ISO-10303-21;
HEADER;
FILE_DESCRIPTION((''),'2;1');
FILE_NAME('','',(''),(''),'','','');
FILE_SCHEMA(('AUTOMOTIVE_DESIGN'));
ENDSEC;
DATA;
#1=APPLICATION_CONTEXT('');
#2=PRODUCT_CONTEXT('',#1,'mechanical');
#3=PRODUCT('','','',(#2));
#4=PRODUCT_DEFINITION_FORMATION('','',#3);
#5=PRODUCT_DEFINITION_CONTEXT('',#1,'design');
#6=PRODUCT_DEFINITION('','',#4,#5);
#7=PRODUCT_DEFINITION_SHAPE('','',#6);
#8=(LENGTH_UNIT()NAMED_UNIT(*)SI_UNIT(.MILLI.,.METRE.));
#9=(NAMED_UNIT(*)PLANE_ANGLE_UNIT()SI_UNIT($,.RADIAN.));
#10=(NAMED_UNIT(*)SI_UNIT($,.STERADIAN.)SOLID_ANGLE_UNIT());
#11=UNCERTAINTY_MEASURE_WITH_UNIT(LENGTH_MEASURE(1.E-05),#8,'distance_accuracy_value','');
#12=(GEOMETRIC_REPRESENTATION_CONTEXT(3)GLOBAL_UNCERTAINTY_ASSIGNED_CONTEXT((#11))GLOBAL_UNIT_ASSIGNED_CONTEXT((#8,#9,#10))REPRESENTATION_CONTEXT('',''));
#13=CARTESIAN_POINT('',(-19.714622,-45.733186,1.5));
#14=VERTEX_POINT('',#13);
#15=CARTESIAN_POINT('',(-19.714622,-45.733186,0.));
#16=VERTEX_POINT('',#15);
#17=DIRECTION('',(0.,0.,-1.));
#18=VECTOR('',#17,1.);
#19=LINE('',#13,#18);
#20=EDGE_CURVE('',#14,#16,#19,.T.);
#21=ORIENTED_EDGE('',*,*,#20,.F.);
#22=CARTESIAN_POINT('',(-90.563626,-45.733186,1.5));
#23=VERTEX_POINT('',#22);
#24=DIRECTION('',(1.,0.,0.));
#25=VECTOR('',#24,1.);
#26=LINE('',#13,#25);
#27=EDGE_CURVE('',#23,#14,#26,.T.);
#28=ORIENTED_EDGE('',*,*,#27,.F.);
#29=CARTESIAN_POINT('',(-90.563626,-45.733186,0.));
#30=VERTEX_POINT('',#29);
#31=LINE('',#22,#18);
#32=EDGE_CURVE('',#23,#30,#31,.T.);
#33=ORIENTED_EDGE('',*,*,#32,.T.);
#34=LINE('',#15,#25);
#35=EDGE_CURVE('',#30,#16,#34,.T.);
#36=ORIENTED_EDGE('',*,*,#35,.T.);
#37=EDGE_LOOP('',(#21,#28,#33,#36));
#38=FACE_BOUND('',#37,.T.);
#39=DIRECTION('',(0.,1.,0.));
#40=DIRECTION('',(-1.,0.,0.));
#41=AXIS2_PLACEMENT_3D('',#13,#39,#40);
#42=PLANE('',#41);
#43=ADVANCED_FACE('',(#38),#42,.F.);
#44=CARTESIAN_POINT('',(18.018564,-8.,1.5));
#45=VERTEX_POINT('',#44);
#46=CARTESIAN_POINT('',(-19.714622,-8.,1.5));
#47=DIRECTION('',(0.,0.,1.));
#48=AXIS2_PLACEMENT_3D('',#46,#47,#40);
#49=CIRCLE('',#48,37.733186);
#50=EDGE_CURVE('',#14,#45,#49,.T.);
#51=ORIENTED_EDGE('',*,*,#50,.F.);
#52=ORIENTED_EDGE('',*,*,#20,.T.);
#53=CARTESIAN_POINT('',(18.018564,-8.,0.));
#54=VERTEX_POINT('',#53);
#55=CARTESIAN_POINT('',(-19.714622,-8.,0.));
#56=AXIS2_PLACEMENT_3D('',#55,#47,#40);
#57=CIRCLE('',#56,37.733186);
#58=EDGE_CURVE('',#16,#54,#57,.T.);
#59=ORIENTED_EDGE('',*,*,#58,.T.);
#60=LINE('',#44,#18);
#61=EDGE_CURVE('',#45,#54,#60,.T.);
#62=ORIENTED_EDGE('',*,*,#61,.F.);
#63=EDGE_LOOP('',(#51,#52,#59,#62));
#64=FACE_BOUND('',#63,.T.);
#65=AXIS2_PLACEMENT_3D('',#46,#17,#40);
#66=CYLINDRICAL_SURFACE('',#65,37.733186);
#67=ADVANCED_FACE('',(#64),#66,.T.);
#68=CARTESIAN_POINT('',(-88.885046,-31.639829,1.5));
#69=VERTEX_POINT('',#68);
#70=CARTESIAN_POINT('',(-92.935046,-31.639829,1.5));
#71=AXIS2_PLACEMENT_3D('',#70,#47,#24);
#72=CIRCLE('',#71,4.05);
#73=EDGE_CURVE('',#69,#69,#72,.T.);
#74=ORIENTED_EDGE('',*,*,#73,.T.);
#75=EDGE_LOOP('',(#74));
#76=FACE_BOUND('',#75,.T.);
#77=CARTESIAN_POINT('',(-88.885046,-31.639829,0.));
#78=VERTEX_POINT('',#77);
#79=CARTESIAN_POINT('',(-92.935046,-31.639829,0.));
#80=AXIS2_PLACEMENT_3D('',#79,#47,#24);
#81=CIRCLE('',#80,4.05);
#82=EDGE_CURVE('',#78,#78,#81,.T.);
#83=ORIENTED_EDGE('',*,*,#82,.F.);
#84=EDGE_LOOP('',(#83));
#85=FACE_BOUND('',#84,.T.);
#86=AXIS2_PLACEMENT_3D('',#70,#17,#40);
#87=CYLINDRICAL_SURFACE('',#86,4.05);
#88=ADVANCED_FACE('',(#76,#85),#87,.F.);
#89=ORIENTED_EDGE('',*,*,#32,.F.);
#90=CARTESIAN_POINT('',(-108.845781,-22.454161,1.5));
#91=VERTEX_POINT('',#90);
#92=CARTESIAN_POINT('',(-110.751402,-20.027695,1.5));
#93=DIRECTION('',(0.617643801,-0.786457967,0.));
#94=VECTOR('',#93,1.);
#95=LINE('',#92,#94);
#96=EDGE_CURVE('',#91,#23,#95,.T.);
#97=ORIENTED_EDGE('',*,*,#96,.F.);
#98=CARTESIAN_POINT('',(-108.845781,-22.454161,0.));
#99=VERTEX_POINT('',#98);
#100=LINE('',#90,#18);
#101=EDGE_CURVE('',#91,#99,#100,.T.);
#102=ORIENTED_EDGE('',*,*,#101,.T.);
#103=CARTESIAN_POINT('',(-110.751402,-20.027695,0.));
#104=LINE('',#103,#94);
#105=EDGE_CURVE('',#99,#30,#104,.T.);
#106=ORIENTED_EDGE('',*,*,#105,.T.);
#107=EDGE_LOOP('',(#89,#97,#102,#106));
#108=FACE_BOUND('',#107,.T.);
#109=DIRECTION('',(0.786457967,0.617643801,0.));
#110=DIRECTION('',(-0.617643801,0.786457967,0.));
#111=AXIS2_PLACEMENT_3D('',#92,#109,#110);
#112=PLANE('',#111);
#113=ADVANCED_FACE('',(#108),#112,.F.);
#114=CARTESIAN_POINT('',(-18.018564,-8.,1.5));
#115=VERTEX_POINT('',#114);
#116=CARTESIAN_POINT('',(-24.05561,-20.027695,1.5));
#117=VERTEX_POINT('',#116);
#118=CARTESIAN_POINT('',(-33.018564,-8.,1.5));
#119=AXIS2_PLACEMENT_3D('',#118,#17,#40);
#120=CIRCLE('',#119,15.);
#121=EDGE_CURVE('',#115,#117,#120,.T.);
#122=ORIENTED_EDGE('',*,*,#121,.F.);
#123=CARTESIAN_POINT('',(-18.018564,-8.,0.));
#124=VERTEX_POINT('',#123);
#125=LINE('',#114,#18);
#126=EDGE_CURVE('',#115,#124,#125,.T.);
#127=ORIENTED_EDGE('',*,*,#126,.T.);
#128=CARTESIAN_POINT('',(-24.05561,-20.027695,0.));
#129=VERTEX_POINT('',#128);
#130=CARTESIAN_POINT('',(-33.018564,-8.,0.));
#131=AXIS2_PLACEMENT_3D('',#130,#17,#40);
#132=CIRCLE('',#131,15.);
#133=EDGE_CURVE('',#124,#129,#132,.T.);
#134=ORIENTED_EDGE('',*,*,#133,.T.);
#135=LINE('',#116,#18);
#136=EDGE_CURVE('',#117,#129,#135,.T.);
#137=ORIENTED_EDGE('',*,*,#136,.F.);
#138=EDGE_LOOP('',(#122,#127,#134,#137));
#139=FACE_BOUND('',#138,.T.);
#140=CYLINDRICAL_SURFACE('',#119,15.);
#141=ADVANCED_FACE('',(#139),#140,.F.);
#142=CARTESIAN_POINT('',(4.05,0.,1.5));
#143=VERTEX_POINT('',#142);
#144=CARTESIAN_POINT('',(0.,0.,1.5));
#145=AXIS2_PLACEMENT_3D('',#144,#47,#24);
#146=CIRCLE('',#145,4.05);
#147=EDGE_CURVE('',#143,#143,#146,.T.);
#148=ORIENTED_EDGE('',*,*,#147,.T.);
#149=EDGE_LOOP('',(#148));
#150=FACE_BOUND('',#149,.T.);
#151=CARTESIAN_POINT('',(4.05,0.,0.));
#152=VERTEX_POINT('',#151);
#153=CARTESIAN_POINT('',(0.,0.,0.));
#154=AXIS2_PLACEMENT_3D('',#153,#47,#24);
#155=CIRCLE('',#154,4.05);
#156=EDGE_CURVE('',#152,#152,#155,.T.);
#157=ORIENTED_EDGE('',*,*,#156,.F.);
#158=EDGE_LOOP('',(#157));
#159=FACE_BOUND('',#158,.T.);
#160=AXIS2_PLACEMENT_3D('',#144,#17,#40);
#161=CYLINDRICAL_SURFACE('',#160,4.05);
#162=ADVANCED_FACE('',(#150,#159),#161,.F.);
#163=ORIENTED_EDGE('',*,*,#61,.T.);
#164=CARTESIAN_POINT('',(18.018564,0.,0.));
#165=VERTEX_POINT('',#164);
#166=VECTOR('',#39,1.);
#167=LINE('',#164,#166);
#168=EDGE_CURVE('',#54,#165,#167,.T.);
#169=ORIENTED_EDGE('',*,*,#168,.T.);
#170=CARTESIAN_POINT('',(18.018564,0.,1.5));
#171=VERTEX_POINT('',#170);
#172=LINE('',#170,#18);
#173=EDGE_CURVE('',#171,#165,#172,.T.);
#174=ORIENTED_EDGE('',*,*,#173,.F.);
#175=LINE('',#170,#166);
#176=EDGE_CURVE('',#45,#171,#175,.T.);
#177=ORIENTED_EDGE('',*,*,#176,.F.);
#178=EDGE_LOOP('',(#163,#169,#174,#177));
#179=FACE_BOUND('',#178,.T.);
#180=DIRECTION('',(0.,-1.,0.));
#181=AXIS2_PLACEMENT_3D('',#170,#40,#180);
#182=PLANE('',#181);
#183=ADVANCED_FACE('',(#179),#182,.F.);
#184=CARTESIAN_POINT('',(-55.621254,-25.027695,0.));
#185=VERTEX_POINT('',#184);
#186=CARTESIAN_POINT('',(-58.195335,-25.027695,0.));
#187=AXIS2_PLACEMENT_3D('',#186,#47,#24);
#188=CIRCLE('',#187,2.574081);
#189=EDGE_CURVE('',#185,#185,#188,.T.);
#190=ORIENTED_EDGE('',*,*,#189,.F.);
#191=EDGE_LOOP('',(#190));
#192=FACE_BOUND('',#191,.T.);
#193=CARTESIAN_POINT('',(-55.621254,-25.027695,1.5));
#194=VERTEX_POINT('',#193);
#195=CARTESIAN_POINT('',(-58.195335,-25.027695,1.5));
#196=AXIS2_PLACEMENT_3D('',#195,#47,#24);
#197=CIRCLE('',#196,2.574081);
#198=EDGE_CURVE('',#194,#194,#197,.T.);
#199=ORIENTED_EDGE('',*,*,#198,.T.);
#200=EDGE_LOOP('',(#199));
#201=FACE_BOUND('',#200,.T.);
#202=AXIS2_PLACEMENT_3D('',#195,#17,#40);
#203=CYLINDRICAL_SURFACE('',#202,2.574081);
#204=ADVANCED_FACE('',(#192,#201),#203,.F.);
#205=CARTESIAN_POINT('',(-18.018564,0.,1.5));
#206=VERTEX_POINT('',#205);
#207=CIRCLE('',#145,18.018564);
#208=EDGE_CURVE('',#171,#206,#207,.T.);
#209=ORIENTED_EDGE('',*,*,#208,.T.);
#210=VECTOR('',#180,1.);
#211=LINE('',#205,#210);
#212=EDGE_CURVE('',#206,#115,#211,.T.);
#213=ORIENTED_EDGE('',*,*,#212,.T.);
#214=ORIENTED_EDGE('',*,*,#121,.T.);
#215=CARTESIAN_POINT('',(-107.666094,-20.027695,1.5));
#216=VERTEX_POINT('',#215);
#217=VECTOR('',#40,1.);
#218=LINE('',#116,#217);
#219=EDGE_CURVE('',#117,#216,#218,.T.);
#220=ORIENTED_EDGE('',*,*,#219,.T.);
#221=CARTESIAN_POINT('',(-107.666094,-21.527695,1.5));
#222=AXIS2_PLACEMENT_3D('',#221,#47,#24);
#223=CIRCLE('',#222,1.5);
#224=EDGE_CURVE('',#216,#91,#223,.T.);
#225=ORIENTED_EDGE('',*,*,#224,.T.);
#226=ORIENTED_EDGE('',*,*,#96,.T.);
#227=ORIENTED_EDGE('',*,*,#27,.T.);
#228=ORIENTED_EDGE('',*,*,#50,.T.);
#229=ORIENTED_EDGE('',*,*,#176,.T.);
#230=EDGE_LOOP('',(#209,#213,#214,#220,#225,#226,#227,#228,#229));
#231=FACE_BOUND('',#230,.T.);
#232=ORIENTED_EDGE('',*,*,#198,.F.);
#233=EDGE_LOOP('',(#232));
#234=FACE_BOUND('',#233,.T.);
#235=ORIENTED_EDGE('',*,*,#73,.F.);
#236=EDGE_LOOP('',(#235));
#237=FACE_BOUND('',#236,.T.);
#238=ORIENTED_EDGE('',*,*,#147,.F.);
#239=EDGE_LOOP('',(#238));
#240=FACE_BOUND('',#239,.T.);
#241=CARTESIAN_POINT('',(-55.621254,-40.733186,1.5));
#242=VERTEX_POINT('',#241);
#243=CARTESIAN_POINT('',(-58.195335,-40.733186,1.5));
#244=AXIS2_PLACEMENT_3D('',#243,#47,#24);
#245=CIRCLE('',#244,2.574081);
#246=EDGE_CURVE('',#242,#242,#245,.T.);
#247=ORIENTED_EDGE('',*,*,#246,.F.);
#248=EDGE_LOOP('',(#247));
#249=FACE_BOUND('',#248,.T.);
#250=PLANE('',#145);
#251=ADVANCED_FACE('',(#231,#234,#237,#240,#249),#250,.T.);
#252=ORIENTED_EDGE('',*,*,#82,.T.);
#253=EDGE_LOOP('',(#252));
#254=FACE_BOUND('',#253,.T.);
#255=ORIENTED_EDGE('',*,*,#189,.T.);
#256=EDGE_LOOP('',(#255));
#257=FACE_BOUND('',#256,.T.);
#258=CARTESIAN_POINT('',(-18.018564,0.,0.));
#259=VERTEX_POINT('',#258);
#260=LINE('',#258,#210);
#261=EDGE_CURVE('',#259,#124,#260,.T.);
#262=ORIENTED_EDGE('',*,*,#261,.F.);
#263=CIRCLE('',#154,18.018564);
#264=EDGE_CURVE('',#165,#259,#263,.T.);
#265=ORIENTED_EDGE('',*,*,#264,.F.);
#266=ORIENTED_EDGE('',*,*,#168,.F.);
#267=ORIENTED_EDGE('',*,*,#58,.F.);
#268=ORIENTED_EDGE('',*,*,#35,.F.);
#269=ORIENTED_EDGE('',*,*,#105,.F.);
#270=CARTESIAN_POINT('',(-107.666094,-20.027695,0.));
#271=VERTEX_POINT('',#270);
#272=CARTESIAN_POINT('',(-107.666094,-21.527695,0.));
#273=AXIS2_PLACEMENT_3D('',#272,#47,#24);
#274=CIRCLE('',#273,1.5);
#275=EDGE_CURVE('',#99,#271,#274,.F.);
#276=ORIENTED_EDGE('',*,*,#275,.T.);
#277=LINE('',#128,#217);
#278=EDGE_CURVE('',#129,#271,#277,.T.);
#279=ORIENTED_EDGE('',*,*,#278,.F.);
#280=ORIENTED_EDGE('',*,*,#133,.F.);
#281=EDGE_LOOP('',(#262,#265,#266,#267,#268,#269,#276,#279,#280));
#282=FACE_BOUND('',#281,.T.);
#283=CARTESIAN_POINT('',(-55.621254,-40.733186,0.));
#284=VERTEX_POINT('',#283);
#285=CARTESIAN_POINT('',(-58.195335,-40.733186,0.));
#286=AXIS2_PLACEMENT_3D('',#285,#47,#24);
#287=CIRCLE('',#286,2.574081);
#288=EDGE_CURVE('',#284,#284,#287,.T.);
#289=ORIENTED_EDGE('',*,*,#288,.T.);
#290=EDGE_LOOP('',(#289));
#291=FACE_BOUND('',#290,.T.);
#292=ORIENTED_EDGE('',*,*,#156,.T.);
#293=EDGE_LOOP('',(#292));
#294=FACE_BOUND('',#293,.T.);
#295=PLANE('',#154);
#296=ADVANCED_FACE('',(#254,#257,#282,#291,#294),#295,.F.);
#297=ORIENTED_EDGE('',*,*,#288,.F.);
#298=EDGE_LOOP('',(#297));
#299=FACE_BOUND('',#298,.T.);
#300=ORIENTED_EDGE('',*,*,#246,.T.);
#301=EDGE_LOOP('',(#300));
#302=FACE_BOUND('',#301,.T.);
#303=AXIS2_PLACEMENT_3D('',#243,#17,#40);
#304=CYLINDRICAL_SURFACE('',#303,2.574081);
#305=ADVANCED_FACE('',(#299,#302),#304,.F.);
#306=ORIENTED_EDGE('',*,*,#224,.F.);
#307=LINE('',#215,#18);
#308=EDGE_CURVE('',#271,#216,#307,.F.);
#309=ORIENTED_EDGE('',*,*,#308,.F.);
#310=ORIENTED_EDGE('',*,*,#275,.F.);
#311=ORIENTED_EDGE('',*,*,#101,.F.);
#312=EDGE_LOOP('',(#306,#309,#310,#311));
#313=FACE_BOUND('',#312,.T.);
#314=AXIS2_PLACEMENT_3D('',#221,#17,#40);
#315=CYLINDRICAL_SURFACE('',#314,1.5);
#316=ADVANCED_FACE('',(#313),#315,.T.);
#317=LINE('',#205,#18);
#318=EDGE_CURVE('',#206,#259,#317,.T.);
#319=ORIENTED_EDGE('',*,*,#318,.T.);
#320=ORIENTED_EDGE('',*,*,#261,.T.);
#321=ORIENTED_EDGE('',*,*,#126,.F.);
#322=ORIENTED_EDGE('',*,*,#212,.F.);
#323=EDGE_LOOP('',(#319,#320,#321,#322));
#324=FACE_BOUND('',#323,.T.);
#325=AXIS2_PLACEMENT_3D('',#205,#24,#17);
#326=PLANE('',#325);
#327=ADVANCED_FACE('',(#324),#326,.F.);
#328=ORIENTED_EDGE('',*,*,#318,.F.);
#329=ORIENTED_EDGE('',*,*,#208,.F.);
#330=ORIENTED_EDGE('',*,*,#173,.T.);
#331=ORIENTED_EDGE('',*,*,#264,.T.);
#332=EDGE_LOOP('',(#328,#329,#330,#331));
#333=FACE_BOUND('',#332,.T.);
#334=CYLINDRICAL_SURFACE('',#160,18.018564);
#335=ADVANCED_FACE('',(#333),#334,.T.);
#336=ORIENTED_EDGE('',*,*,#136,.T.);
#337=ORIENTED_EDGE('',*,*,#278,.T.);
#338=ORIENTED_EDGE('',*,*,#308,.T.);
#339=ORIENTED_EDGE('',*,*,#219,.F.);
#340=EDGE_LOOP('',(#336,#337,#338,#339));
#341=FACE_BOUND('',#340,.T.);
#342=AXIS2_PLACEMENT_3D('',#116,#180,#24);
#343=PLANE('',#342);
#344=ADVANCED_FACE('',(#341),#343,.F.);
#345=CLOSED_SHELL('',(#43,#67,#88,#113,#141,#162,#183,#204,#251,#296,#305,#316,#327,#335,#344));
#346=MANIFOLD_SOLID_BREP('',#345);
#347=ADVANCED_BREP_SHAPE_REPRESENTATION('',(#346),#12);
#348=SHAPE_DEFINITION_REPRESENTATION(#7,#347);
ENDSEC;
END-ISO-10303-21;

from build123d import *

# Parameters (mm, degrees)
ESBO_O1_R                = 4.05
ESBO_O1_R_2              = 2.574080602
RESSALTO_EXTRUS_O1_DEPTH = 1.5
FILETE1_R                = 1.5


with BuildPart() as part:
    # Esboço1 → Ressalto-extrusão1 (new body)
    with BuildSketch(Plane.XY):
        with BuildLine():
            Line((-18.018564211, 0), (-18.018564211, -8))
            ThreePointArc((-18.018564211, -8), (-19.612515049, -14.728881473), (-24.055610328, -20.027695444))
            Line((-24.055610328, -20.027695444), (-110.751402368, -20.027695444))
            Line((-110.751402368, -20.027695444), (-90.563626469, -45.733186479))
            Line((-90.563626469, -45.733186479), (-19.714622268, -45.733186479))
            ThreePointArc((-19.714622268, -45.733186479), (6.966769767, -34.681392035), (18.018564211, -8))
            Line((18.018564211, -8), (18.018564211, 0))
            ThreePointArc((18.018564211, 0), (0, 18.018564211), (-18.018564211, 0))
        make_face()
        Circle(ESBO_O1_R, mode=Mode.SUBTRACT)
        with Locations((-58.195334888, -25.027695444)):
            Circle(ESBO_O1_R_2, mode=Mode.SUBTRACT)
        with Locations((-58.195334888, -40.733186479)):
            Circle(ESBO_O1_R_2, mode=Mode.SUBTRACT)
        with Locations((-92.935045512, -31.639829044)):
            Circle(ESBO_O1_R, mode=Mode.SUBTRACT)
    extrude(amount=RESSALTO_EXTRUS_O1_DEPTH)

    # Filete1
    filete1_edges = [part.edges().sort_by_distance(p)[0] for p in [
        (-110.751402368, -20.027695444, 0.75),
    ]]
    fillet(filete1_edges, radius=FILETE1_R)


solid = part.part
